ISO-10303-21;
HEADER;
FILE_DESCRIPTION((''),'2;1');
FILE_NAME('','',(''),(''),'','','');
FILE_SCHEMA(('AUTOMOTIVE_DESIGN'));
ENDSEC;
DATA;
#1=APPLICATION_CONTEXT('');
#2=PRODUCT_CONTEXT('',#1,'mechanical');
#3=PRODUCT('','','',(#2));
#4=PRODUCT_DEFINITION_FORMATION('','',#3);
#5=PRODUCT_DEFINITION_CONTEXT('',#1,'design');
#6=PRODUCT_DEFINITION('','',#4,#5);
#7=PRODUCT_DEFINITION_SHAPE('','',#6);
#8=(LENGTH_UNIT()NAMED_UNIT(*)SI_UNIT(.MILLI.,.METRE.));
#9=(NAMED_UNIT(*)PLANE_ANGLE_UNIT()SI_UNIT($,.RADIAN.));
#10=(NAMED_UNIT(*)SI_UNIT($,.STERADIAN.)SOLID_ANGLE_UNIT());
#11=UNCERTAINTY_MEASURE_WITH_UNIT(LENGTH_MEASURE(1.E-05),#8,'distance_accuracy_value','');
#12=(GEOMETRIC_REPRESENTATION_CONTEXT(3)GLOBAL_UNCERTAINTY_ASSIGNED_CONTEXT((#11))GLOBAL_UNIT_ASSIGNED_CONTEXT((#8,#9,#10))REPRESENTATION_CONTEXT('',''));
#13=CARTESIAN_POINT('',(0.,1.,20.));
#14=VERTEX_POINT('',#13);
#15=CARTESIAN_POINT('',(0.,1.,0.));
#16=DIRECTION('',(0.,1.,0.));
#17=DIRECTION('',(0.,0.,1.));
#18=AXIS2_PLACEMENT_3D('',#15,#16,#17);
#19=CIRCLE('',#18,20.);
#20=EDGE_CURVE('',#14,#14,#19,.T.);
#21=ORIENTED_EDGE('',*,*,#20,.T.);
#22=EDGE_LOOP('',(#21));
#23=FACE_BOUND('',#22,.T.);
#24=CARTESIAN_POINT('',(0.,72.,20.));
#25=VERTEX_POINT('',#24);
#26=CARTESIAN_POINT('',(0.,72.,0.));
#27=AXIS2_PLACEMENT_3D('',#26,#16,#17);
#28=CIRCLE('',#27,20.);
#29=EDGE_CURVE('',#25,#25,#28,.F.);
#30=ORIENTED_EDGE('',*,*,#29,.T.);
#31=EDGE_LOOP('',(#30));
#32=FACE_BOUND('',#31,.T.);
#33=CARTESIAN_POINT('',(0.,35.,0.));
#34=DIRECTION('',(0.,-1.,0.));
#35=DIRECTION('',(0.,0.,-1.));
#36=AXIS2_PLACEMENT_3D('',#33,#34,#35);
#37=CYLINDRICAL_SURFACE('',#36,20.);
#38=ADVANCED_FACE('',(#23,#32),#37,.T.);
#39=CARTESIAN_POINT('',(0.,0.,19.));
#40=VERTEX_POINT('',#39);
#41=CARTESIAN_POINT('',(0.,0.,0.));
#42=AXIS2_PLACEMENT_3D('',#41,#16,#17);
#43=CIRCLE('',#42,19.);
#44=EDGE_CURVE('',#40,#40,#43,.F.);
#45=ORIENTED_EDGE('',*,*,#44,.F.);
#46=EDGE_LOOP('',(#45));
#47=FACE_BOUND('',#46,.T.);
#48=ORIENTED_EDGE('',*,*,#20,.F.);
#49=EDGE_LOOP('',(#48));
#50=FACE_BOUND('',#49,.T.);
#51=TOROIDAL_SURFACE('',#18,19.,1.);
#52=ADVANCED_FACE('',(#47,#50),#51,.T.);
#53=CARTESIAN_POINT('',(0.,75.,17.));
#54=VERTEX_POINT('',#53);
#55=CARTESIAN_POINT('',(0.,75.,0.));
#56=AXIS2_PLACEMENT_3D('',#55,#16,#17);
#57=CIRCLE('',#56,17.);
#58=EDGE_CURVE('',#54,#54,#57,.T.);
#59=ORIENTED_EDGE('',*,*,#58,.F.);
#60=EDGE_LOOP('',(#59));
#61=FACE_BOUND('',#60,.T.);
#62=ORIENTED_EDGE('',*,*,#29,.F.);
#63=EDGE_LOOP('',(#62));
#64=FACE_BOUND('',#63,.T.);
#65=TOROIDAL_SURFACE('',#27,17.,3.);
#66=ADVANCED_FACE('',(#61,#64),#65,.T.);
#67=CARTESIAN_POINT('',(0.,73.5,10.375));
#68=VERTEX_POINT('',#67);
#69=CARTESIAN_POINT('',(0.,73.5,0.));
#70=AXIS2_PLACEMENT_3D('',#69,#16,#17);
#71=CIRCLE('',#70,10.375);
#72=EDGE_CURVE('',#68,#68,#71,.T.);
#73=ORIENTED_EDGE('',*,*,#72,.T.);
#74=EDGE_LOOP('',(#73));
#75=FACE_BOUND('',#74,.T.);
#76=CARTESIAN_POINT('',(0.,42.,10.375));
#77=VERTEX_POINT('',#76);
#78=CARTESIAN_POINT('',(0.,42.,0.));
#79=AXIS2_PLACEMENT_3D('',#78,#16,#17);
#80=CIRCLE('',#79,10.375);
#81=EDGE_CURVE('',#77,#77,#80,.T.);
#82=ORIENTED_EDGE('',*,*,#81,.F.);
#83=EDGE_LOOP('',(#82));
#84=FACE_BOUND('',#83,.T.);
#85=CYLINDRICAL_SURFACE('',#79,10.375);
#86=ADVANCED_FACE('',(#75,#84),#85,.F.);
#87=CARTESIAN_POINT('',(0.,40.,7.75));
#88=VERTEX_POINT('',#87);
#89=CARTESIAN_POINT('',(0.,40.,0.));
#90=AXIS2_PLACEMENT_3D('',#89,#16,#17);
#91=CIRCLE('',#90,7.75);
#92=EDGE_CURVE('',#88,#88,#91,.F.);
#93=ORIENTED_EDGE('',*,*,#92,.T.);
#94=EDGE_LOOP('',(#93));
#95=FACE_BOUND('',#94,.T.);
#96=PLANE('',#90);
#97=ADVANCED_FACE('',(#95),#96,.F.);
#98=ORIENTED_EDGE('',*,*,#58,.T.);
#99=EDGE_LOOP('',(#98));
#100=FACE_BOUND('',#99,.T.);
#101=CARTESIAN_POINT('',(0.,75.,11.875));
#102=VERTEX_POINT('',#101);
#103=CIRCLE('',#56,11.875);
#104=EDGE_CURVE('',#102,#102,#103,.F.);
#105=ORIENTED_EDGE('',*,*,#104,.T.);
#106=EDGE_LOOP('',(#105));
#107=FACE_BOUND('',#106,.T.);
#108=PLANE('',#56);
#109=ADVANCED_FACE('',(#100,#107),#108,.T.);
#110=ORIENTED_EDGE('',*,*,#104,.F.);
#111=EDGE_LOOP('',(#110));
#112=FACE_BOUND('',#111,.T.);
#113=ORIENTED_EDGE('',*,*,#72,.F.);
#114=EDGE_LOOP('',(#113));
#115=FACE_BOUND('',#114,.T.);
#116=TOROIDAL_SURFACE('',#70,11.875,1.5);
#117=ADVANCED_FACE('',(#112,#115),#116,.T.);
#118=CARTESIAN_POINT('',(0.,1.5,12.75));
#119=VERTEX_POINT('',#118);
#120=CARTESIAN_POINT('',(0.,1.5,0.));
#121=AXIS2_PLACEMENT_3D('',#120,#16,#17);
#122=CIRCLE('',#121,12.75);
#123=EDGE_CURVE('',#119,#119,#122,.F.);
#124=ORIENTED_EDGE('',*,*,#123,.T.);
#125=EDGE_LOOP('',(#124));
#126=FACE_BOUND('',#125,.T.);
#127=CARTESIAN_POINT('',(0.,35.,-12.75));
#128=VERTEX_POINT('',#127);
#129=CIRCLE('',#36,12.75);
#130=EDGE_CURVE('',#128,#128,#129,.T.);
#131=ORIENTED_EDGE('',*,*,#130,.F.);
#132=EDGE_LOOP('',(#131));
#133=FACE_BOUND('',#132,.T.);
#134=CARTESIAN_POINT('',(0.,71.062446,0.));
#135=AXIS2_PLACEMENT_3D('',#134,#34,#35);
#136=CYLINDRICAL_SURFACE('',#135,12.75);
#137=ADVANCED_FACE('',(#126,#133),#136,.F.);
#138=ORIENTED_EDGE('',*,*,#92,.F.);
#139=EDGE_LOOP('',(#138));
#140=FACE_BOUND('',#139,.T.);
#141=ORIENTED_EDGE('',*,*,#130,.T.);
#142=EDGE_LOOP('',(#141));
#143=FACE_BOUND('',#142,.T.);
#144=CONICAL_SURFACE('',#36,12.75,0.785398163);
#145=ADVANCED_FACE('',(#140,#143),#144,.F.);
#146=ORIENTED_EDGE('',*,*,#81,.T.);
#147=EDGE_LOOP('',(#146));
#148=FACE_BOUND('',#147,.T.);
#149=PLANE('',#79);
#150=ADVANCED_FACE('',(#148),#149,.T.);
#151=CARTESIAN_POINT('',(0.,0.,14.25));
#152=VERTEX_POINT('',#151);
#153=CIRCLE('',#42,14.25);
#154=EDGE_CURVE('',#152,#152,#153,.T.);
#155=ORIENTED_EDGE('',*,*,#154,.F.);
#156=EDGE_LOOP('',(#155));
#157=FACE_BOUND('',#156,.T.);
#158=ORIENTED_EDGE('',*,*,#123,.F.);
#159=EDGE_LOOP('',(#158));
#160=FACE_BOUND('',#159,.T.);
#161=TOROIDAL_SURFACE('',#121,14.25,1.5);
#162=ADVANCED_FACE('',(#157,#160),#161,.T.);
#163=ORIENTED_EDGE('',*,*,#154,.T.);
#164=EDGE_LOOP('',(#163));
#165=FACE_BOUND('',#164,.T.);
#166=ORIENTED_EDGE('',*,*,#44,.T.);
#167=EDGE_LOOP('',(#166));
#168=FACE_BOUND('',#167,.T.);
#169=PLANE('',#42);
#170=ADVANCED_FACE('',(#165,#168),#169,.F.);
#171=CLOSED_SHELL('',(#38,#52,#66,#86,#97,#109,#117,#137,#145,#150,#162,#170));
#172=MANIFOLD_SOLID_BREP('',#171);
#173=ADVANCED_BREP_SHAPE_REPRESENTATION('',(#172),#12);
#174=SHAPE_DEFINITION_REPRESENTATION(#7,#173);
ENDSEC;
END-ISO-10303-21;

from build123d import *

# Parameters (mm, degrees)
SKETCH1_R           = 20
BOSS_EXTRUDE1_DEPTH = 35
SKETCH2_R           = 12.75
CUT_EXTRUDE1_DEPTH  = 35
SKETCH3_R           = 20
BOSS_EXTRUDE2_DEPTH = 5
SKETCH4_R           = 12.75
CUT_EXTRUDE2_DEPTH  = 10
CUT_EXTRUDE2_DRAFT  = -45
SKETCH5_R           = 20
BOSS_EXTRUDE3_DEPTH = 35
SKETCH6_R           = 10.375
CUT_EXTRUDE3_DEPTH  = 33
FILLET1_R           = 1.5
FILLET2_R           = 1.5
FILLET3_R           = 3
FILLET4_R           = 1


with BuildPart() as part:
    # Sketch1 → Boss-Extrude1 (new body)
    with BuildSketch(Plane(origin=(0, 0, 0), x_dir=(1, 0, 0), z_dir=(0, 1, 0))):
        with Locations(Location((0, 0, 0), (0, 0, 270))):
            Circle(SKETCH1_R)
    extrude(amount=BOSS_EXTRUDE1_DEPTH)

    # Sketch2 → Cut-Extrude1 (cut)
    with BuildSketch(Plane.XZ):
        with Locations(Location((0, 0, 0), (0, 0, 270))):
            Circle(SKETCH2_R)
    extrude(amount=-CUT_EXTRUDE1_DEPTH, mode=Mode.SUBTRACT)

    # Sketch3 → Boss-Extrude2 (add)
    with BuildSketch(Plane(origin=(0, 35, 0), x_dir=(1, 0, 0), z_dir=(0, 1, 0))):
        with Locations(Location((0, 0, 0), (0, 0, 270))):
            Circle(SKETCH3_R)
    extrude(amount=BOSS_EXTRUDE2_DEPTH)


with BuildPart() as cut_extrude2_tool:
    # Sketch4 → Cut-Extrude2 (with draft: the straight prism first)
    with BuildSketch(Plane.XZ.offset(-35)):
        with Locations(Location((0, 0, 0), (0, 0, 270))):
            Circle(SKETCH4_R)
    extrude(amount=-CUT_EXTRUDE2_DEPTH)
    # Cut-Extrude2: the draft: its side faces are tilted about the plane it starts from
    cut_extrude2_sides = [cut_extrude2_tool.faces().sort_by_distance(p)[0] for p in [
        (0, 40, 12.75),
    ]]
    draft(cut_extrude2_sides, Plane.XZ.offset(-35), CUT_EXTRUDE2_DRAFT)


with BuildPart() as part_1:
    add(part.part)

    # Cut-Extrude2: cut by cut_extrude2_tool
    add(cut_extrude2_tool.part, mode=Mode.SUBTRACT)

    # Sketch5 → Boss-Extrude3 (add)
    with BuildSketch(Plane(origin=(0, 40, 0), x_dir=(1, 0, 0), z_dir=(0, 1, 0))):
        with Locations(Location((0, 0, 0), (0, 0, 270))):
            Circle(SKETCH5_R)
    extrude(amount=BOSS_EXTRUDE3_DEPTH)

    # Sketch6 → Cut-Extrude3 (cut)
    with BuildSketch(Plane(origin=(0, 75, 0), x_dir=(1, 0, 0), z_dir=(0, 1, 0))):
        with Locations(Location((0, 0, 0), (0, 0, 270))):
            Circle(SKETCH6_R)
    extrude(amount=-CUT_EXTRUDE3_DEPTH, mode=Mode.SUBTRACT)

    # Fillet1
    fillet1_edges = [part_1.edges().sort_by_distance(p)[0] for p in [
        (0, 0, 12.75),
    ]]
    fillet(fillet1_edges, radius=FILLET1_R)

    # Fillet2
    fillet2_edges = [part_1.edges().sort_by_distance(p)[0] for p in [
        (0, 75, -10.375),
    ]]
    fillet(fillet2_edges, radius=FILLET2_R)

    # Fillet3
    fillet3_edges = [part_1.edges().sort_by_distance(p)[0] for p in [
        (0, 75, -20),
    ]]
    fillet(fillet3_edges, radius=FILLET3_R)

    # Fillet4
    fillet4_edges = [part_1.edges().sort_by_distance(p)[0] for p in [
        (0, 0, -20),
    ]]
    fillet(fillet4_edges, radius=FILLET4_R)


solid = part_1.part
